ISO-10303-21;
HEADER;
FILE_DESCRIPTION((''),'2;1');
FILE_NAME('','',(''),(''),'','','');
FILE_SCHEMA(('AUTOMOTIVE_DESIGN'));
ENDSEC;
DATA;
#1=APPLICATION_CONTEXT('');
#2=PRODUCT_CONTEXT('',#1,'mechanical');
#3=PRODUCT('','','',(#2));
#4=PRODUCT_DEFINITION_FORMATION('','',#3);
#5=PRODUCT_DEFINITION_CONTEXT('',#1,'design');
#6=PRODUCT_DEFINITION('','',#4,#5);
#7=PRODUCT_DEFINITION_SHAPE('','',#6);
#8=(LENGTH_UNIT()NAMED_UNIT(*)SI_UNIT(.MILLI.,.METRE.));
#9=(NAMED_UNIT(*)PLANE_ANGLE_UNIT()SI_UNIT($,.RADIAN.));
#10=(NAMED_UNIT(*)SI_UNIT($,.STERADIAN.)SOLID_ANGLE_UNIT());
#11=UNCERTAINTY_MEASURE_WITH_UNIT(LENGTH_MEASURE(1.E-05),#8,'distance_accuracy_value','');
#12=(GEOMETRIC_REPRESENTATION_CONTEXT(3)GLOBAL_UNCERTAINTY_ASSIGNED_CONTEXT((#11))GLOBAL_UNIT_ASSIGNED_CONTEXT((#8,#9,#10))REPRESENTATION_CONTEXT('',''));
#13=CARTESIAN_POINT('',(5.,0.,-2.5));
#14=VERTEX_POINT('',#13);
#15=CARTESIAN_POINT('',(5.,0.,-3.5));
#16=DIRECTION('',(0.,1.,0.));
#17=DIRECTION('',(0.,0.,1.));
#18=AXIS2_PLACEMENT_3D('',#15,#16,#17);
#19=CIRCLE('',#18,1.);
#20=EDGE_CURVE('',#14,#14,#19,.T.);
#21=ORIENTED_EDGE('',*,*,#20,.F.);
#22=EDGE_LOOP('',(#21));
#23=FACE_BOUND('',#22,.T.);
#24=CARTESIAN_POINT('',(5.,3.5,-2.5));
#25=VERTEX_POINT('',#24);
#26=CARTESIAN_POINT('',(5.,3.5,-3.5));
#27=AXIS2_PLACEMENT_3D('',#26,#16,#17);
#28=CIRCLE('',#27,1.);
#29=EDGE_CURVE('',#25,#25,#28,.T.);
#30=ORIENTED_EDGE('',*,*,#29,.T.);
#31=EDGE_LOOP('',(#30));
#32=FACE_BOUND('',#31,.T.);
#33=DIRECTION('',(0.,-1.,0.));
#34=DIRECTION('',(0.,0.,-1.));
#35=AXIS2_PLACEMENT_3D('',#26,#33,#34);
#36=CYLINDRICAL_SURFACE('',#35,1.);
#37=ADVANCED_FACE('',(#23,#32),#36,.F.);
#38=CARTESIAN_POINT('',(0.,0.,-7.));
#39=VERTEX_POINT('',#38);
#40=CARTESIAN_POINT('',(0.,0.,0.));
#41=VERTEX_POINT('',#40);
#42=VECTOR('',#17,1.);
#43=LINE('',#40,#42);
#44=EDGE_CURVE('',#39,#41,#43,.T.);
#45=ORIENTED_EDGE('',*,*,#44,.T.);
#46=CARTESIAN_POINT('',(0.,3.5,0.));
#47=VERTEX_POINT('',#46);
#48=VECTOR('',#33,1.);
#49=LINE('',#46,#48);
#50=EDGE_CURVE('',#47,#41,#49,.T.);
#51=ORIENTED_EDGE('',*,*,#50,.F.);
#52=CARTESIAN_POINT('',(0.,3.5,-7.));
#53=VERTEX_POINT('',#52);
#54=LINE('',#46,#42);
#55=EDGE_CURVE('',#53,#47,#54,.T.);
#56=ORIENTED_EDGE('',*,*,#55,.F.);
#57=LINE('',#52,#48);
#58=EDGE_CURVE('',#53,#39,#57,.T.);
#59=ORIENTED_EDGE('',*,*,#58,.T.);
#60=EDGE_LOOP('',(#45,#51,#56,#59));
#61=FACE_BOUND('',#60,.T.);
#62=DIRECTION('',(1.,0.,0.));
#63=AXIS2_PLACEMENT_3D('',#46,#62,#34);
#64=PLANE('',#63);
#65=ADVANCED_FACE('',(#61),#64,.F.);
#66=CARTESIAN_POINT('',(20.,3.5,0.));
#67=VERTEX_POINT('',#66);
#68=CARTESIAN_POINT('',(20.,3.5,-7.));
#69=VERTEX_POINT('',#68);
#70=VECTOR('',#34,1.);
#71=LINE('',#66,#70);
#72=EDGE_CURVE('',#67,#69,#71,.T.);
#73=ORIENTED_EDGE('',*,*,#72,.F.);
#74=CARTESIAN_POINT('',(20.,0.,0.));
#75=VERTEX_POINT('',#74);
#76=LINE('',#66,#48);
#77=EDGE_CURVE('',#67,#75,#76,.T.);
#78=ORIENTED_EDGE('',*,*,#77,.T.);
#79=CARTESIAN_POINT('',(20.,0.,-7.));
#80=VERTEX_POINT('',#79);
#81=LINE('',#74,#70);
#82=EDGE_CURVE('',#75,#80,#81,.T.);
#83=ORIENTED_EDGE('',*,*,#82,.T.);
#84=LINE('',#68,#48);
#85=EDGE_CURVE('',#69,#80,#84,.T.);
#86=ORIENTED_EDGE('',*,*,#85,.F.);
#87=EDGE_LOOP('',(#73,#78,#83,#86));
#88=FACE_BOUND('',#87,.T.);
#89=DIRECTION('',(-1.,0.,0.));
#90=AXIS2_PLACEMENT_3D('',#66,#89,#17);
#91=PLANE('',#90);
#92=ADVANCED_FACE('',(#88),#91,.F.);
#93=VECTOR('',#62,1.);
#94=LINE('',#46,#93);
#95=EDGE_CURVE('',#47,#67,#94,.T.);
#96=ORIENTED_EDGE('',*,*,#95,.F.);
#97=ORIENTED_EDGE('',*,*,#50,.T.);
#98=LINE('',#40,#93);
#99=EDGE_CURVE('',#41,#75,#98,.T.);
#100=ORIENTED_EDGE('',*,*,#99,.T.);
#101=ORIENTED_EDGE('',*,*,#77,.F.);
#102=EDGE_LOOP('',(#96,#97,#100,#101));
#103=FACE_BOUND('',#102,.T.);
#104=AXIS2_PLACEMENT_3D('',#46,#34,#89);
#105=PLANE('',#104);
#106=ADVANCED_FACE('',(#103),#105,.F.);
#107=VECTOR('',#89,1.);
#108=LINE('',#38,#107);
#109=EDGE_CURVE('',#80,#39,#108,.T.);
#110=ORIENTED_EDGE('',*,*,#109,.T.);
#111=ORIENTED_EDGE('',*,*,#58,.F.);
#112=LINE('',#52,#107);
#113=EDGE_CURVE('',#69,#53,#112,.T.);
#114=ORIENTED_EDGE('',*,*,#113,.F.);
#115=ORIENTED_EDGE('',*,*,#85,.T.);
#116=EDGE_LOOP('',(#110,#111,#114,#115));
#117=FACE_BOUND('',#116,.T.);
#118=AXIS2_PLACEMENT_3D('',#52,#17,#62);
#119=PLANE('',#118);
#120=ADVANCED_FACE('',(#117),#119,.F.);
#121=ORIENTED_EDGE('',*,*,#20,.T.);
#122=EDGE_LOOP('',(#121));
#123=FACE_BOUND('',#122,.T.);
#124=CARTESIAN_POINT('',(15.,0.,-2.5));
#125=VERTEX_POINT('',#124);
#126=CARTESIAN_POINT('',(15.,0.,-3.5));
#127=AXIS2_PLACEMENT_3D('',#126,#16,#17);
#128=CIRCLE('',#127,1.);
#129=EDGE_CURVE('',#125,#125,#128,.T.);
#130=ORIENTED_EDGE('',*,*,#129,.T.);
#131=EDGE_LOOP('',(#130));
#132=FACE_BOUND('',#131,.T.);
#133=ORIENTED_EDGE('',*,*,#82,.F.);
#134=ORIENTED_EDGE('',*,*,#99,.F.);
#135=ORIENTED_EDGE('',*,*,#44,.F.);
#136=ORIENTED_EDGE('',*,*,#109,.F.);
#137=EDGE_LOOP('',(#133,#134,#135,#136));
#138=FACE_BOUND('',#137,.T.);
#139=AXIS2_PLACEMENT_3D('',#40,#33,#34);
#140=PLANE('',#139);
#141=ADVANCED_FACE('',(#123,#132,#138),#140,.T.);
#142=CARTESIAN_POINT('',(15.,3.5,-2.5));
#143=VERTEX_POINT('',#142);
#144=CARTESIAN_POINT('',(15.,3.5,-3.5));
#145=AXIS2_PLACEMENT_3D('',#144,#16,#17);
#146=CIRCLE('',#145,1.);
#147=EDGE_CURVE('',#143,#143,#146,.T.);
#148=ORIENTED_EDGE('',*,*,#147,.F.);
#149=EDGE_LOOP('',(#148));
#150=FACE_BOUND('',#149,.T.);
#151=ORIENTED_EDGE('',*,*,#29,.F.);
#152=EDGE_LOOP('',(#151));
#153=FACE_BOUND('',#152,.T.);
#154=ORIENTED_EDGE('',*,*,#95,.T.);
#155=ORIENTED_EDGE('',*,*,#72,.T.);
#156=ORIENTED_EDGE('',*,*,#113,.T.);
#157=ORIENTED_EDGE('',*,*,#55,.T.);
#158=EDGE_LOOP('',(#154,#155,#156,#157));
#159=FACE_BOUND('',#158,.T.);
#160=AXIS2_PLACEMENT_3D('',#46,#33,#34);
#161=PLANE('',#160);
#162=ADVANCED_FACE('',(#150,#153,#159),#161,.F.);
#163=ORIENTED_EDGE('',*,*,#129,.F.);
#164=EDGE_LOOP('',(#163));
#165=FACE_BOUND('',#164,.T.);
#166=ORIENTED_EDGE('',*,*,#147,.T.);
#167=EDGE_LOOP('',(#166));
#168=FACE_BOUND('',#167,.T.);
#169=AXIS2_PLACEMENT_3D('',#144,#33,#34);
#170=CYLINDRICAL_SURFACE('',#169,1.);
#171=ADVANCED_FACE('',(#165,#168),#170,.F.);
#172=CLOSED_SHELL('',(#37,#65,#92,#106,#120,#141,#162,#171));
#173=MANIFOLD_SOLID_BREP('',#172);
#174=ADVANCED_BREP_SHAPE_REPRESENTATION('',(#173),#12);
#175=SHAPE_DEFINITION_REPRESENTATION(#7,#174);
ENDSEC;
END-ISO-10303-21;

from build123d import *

# Parameters (mm, degrees)
CROQUIS1_W              = 20
CROQUIS1_H              = 7
CROQUIS1_R              = 1
SALIENTE_EXTRUIR1_DEPTH = 3.5


with BuildPart() as part:
    # Croquis1 → Saliente-Extruir1 (new body)
    with BuildSketch(Plane(origin=(0, 0, 0), x_dir=(1, 0, 0), z_dir=(0, 1, 0))):
        with Locations((10, 3.5)):
            Rectangle(CROQUIS1_W, CROQUIS1_H)
        with Locations((5, 3.5)):
            Circle(CROQUIS1_R, mode=Mode.SUBTRACT)
        with Locations((15, 3.5)):
            Circle(CROQUIS1_R, mode=Mode.SUBTRACT)
    extrude(amount=SALIENTE_EXTRUIR1_DEPTH)


solid = part.part
